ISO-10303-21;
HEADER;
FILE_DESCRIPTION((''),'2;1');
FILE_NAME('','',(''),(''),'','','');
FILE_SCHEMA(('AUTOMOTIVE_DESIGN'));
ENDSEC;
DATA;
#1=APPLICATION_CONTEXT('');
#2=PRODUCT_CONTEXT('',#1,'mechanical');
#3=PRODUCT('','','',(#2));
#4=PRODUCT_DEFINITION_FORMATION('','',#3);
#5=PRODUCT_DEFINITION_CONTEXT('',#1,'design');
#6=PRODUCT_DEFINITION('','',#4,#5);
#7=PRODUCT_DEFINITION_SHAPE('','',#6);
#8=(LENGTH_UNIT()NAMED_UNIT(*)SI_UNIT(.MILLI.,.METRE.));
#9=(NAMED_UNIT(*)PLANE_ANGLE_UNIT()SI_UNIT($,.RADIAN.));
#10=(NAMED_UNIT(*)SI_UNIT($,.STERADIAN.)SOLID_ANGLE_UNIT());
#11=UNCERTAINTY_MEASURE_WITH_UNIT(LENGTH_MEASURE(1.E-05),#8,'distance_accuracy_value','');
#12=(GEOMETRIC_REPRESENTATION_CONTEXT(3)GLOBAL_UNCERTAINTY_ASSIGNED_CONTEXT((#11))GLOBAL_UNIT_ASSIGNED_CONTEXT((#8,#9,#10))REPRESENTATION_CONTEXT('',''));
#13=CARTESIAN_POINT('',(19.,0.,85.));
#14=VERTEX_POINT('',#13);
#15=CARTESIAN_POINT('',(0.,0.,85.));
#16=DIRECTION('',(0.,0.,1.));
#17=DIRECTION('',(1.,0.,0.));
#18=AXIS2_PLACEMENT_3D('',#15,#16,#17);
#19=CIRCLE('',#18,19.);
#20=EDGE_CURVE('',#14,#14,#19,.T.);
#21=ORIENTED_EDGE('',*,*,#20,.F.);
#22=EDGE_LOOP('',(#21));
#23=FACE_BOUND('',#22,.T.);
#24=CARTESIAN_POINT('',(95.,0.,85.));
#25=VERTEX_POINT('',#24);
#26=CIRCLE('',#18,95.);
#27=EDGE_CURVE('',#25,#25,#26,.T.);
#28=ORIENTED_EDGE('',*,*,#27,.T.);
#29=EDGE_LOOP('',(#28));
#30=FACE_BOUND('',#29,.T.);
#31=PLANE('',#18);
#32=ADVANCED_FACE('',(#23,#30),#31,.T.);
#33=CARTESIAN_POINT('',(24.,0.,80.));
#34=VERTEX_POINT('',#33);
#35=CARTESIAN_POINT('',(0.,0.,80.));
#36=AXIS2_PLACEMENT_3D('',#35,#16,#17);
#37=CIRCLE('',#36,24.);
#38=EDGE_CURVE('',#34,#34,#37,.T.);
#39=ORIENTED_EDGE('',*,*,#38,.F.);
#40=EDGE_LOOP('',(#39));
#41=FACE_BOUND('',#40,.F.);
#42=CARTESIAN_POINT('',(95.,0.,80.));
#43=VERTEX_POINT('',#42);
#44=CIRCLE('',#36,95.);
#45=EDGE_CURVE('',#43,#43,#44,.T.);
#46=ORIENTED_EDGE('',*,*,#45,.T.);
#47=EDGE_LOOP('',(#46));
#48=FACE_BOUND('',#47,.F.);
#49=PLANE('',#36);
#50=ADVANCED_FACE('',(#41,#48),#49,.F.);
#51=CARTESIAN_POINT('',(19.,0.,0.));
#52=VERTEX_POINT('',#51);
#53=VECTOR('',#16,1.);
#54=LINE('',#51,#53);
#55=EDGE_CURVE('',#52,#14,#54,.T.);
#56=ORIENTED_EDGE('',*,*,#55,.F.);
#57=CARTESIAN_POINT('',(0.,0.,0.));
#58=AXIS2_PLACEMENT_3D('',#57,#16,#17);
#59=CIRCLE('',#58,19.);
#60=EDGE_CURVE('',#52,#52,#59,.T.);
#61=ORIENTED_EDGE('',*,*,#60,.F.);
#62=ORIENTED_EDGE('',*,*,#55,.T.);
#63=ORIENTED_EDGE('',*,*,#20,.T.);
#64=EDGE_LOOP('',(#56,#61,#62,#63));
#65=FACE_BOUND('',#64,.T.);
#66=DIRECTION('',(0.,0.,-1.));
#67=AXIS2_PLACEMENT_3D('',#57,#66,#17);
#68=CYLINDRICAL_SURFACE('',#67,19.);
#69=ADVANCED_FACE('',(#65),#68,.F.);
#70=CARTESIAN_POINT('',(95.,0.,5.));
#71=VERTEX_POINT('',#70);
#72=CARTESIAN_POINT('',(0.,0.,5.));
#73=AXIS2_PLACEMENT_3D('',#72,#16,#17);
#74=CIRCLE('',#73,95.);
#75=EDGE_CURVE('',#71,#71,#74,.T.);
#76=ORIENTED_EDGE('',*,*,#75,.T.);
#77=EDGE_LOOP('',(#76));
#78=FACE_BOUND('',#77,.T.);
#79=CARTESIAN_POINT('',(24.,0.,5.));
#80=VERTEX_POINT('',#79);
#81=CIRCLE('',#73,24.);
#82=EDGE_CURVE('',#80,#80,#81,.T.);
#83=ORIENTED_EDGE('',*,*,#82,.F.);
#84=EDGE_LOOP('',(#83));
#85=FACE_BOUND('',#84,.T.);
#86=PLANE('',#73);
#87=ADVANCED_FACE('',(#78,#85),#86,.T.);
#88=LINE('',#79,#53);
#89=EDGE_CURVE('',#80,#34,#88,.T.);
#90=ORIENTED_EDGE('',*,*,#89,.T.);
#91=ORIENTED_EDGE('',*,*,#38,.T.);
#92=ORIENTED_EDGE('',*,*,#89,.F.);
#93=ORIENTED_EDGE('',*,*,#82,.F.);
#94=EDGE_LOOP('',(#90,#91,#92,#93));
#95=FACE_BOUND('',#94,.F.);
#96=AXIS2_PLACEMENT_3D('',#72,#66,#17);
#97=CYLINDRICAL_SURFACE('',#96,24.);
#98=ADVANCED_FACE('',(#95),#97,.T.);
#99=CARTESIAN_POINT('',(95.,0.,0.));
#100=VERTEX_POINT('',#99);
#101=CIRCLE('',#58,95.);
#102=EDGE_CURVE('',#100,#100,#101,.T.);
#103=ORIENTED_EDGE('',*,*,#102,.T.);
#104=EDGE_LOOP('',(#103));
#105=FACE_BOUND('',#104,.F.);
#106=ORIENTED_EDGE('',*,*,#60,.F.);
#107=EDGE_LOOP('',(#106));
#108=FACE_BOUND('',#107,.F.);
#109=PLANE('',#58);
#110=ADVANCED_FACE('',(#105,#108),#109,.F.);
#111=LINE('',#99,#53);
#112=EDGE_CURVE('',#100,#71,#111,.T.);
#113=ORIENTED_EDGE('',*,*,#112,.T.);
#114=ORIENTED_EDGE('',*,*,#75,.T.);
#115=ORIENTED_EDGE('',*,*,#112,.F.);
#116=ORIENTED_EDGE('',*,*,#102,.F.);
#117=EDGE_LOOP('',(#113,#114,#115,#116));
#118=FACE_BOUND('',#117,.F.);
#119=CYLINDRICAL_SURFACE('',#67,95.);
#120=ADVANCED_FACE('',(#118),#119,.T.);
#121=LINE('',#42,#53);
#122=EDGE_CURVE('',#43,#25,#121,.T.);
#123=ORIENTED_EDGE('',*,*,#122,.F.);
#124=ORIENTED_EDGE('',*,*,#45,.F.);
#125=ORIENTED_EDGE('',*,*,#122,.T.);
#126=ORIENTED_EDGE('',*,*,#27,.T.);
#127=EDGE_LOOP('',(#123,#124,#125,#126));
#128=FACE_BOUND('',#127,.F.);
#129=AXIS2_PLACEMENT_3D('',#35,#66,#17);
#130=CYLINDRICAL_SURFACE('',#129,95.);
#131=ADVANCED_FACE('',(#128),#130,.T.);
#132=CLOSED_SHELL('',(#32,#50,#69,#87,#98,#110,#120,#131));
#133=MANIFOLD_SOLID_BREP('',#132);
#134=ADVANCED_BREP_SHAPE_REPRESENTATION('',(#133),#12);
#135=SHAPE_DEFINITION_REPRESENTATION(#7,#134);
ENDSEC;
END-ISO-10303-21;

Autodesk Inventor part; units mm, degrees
ref_plane "YZ Plane" through (0, 0, 0) normal (1, 0, 0) x (0, 1, 0)
ref_plane "XZ Plane" through (0, 0, 0) normal (0, 1, 0) x (-1, 0, 0)
ref_plane "XY Plane" through (0, 0, 0) normal (0, 0, 1) x (1, 0, 0)
sketch "Sketch1" plane through (0, 0, 0) normal (0, 0, 1) x (1, 0, 0)
  circle A0 centre (0, 0) radius 95
  circle A1 centre (0, 0) radius 19
  dimension "d0" = 38
  dimension "d2" = 190
extrude "Extrusion1" add sketch "Sketch1" along normal blind 5
sketch "Sketch2" plane through (0, 0, 5) normal (0, 0, 1) x (1, 0, 0)
  circle A0 centre (0, 0) radius 19 projected
  circle A1 centre (0, 0) radius 95 projected
  circle A2 centre (0, 0) radius 24
  dimension "d5" = 5
extrude "Extrusion2" add sketch "Sketch2" along normal blind 75 contours A2
sketch "Sketch3" plane through (0, 0, 80) normal (0, 0, 1) x (1, 0, 0)
  circle A0 centre (0, 0) radius 19 projected
  circle A1 centre (0, 0) radius 24 projected
  circle A2 centre (0, 0) radius 95 projected
extrude "Extrusion3" add sketch "Sketch3" along normal blind 5 contours A1 | A2
properties part number "spool"
